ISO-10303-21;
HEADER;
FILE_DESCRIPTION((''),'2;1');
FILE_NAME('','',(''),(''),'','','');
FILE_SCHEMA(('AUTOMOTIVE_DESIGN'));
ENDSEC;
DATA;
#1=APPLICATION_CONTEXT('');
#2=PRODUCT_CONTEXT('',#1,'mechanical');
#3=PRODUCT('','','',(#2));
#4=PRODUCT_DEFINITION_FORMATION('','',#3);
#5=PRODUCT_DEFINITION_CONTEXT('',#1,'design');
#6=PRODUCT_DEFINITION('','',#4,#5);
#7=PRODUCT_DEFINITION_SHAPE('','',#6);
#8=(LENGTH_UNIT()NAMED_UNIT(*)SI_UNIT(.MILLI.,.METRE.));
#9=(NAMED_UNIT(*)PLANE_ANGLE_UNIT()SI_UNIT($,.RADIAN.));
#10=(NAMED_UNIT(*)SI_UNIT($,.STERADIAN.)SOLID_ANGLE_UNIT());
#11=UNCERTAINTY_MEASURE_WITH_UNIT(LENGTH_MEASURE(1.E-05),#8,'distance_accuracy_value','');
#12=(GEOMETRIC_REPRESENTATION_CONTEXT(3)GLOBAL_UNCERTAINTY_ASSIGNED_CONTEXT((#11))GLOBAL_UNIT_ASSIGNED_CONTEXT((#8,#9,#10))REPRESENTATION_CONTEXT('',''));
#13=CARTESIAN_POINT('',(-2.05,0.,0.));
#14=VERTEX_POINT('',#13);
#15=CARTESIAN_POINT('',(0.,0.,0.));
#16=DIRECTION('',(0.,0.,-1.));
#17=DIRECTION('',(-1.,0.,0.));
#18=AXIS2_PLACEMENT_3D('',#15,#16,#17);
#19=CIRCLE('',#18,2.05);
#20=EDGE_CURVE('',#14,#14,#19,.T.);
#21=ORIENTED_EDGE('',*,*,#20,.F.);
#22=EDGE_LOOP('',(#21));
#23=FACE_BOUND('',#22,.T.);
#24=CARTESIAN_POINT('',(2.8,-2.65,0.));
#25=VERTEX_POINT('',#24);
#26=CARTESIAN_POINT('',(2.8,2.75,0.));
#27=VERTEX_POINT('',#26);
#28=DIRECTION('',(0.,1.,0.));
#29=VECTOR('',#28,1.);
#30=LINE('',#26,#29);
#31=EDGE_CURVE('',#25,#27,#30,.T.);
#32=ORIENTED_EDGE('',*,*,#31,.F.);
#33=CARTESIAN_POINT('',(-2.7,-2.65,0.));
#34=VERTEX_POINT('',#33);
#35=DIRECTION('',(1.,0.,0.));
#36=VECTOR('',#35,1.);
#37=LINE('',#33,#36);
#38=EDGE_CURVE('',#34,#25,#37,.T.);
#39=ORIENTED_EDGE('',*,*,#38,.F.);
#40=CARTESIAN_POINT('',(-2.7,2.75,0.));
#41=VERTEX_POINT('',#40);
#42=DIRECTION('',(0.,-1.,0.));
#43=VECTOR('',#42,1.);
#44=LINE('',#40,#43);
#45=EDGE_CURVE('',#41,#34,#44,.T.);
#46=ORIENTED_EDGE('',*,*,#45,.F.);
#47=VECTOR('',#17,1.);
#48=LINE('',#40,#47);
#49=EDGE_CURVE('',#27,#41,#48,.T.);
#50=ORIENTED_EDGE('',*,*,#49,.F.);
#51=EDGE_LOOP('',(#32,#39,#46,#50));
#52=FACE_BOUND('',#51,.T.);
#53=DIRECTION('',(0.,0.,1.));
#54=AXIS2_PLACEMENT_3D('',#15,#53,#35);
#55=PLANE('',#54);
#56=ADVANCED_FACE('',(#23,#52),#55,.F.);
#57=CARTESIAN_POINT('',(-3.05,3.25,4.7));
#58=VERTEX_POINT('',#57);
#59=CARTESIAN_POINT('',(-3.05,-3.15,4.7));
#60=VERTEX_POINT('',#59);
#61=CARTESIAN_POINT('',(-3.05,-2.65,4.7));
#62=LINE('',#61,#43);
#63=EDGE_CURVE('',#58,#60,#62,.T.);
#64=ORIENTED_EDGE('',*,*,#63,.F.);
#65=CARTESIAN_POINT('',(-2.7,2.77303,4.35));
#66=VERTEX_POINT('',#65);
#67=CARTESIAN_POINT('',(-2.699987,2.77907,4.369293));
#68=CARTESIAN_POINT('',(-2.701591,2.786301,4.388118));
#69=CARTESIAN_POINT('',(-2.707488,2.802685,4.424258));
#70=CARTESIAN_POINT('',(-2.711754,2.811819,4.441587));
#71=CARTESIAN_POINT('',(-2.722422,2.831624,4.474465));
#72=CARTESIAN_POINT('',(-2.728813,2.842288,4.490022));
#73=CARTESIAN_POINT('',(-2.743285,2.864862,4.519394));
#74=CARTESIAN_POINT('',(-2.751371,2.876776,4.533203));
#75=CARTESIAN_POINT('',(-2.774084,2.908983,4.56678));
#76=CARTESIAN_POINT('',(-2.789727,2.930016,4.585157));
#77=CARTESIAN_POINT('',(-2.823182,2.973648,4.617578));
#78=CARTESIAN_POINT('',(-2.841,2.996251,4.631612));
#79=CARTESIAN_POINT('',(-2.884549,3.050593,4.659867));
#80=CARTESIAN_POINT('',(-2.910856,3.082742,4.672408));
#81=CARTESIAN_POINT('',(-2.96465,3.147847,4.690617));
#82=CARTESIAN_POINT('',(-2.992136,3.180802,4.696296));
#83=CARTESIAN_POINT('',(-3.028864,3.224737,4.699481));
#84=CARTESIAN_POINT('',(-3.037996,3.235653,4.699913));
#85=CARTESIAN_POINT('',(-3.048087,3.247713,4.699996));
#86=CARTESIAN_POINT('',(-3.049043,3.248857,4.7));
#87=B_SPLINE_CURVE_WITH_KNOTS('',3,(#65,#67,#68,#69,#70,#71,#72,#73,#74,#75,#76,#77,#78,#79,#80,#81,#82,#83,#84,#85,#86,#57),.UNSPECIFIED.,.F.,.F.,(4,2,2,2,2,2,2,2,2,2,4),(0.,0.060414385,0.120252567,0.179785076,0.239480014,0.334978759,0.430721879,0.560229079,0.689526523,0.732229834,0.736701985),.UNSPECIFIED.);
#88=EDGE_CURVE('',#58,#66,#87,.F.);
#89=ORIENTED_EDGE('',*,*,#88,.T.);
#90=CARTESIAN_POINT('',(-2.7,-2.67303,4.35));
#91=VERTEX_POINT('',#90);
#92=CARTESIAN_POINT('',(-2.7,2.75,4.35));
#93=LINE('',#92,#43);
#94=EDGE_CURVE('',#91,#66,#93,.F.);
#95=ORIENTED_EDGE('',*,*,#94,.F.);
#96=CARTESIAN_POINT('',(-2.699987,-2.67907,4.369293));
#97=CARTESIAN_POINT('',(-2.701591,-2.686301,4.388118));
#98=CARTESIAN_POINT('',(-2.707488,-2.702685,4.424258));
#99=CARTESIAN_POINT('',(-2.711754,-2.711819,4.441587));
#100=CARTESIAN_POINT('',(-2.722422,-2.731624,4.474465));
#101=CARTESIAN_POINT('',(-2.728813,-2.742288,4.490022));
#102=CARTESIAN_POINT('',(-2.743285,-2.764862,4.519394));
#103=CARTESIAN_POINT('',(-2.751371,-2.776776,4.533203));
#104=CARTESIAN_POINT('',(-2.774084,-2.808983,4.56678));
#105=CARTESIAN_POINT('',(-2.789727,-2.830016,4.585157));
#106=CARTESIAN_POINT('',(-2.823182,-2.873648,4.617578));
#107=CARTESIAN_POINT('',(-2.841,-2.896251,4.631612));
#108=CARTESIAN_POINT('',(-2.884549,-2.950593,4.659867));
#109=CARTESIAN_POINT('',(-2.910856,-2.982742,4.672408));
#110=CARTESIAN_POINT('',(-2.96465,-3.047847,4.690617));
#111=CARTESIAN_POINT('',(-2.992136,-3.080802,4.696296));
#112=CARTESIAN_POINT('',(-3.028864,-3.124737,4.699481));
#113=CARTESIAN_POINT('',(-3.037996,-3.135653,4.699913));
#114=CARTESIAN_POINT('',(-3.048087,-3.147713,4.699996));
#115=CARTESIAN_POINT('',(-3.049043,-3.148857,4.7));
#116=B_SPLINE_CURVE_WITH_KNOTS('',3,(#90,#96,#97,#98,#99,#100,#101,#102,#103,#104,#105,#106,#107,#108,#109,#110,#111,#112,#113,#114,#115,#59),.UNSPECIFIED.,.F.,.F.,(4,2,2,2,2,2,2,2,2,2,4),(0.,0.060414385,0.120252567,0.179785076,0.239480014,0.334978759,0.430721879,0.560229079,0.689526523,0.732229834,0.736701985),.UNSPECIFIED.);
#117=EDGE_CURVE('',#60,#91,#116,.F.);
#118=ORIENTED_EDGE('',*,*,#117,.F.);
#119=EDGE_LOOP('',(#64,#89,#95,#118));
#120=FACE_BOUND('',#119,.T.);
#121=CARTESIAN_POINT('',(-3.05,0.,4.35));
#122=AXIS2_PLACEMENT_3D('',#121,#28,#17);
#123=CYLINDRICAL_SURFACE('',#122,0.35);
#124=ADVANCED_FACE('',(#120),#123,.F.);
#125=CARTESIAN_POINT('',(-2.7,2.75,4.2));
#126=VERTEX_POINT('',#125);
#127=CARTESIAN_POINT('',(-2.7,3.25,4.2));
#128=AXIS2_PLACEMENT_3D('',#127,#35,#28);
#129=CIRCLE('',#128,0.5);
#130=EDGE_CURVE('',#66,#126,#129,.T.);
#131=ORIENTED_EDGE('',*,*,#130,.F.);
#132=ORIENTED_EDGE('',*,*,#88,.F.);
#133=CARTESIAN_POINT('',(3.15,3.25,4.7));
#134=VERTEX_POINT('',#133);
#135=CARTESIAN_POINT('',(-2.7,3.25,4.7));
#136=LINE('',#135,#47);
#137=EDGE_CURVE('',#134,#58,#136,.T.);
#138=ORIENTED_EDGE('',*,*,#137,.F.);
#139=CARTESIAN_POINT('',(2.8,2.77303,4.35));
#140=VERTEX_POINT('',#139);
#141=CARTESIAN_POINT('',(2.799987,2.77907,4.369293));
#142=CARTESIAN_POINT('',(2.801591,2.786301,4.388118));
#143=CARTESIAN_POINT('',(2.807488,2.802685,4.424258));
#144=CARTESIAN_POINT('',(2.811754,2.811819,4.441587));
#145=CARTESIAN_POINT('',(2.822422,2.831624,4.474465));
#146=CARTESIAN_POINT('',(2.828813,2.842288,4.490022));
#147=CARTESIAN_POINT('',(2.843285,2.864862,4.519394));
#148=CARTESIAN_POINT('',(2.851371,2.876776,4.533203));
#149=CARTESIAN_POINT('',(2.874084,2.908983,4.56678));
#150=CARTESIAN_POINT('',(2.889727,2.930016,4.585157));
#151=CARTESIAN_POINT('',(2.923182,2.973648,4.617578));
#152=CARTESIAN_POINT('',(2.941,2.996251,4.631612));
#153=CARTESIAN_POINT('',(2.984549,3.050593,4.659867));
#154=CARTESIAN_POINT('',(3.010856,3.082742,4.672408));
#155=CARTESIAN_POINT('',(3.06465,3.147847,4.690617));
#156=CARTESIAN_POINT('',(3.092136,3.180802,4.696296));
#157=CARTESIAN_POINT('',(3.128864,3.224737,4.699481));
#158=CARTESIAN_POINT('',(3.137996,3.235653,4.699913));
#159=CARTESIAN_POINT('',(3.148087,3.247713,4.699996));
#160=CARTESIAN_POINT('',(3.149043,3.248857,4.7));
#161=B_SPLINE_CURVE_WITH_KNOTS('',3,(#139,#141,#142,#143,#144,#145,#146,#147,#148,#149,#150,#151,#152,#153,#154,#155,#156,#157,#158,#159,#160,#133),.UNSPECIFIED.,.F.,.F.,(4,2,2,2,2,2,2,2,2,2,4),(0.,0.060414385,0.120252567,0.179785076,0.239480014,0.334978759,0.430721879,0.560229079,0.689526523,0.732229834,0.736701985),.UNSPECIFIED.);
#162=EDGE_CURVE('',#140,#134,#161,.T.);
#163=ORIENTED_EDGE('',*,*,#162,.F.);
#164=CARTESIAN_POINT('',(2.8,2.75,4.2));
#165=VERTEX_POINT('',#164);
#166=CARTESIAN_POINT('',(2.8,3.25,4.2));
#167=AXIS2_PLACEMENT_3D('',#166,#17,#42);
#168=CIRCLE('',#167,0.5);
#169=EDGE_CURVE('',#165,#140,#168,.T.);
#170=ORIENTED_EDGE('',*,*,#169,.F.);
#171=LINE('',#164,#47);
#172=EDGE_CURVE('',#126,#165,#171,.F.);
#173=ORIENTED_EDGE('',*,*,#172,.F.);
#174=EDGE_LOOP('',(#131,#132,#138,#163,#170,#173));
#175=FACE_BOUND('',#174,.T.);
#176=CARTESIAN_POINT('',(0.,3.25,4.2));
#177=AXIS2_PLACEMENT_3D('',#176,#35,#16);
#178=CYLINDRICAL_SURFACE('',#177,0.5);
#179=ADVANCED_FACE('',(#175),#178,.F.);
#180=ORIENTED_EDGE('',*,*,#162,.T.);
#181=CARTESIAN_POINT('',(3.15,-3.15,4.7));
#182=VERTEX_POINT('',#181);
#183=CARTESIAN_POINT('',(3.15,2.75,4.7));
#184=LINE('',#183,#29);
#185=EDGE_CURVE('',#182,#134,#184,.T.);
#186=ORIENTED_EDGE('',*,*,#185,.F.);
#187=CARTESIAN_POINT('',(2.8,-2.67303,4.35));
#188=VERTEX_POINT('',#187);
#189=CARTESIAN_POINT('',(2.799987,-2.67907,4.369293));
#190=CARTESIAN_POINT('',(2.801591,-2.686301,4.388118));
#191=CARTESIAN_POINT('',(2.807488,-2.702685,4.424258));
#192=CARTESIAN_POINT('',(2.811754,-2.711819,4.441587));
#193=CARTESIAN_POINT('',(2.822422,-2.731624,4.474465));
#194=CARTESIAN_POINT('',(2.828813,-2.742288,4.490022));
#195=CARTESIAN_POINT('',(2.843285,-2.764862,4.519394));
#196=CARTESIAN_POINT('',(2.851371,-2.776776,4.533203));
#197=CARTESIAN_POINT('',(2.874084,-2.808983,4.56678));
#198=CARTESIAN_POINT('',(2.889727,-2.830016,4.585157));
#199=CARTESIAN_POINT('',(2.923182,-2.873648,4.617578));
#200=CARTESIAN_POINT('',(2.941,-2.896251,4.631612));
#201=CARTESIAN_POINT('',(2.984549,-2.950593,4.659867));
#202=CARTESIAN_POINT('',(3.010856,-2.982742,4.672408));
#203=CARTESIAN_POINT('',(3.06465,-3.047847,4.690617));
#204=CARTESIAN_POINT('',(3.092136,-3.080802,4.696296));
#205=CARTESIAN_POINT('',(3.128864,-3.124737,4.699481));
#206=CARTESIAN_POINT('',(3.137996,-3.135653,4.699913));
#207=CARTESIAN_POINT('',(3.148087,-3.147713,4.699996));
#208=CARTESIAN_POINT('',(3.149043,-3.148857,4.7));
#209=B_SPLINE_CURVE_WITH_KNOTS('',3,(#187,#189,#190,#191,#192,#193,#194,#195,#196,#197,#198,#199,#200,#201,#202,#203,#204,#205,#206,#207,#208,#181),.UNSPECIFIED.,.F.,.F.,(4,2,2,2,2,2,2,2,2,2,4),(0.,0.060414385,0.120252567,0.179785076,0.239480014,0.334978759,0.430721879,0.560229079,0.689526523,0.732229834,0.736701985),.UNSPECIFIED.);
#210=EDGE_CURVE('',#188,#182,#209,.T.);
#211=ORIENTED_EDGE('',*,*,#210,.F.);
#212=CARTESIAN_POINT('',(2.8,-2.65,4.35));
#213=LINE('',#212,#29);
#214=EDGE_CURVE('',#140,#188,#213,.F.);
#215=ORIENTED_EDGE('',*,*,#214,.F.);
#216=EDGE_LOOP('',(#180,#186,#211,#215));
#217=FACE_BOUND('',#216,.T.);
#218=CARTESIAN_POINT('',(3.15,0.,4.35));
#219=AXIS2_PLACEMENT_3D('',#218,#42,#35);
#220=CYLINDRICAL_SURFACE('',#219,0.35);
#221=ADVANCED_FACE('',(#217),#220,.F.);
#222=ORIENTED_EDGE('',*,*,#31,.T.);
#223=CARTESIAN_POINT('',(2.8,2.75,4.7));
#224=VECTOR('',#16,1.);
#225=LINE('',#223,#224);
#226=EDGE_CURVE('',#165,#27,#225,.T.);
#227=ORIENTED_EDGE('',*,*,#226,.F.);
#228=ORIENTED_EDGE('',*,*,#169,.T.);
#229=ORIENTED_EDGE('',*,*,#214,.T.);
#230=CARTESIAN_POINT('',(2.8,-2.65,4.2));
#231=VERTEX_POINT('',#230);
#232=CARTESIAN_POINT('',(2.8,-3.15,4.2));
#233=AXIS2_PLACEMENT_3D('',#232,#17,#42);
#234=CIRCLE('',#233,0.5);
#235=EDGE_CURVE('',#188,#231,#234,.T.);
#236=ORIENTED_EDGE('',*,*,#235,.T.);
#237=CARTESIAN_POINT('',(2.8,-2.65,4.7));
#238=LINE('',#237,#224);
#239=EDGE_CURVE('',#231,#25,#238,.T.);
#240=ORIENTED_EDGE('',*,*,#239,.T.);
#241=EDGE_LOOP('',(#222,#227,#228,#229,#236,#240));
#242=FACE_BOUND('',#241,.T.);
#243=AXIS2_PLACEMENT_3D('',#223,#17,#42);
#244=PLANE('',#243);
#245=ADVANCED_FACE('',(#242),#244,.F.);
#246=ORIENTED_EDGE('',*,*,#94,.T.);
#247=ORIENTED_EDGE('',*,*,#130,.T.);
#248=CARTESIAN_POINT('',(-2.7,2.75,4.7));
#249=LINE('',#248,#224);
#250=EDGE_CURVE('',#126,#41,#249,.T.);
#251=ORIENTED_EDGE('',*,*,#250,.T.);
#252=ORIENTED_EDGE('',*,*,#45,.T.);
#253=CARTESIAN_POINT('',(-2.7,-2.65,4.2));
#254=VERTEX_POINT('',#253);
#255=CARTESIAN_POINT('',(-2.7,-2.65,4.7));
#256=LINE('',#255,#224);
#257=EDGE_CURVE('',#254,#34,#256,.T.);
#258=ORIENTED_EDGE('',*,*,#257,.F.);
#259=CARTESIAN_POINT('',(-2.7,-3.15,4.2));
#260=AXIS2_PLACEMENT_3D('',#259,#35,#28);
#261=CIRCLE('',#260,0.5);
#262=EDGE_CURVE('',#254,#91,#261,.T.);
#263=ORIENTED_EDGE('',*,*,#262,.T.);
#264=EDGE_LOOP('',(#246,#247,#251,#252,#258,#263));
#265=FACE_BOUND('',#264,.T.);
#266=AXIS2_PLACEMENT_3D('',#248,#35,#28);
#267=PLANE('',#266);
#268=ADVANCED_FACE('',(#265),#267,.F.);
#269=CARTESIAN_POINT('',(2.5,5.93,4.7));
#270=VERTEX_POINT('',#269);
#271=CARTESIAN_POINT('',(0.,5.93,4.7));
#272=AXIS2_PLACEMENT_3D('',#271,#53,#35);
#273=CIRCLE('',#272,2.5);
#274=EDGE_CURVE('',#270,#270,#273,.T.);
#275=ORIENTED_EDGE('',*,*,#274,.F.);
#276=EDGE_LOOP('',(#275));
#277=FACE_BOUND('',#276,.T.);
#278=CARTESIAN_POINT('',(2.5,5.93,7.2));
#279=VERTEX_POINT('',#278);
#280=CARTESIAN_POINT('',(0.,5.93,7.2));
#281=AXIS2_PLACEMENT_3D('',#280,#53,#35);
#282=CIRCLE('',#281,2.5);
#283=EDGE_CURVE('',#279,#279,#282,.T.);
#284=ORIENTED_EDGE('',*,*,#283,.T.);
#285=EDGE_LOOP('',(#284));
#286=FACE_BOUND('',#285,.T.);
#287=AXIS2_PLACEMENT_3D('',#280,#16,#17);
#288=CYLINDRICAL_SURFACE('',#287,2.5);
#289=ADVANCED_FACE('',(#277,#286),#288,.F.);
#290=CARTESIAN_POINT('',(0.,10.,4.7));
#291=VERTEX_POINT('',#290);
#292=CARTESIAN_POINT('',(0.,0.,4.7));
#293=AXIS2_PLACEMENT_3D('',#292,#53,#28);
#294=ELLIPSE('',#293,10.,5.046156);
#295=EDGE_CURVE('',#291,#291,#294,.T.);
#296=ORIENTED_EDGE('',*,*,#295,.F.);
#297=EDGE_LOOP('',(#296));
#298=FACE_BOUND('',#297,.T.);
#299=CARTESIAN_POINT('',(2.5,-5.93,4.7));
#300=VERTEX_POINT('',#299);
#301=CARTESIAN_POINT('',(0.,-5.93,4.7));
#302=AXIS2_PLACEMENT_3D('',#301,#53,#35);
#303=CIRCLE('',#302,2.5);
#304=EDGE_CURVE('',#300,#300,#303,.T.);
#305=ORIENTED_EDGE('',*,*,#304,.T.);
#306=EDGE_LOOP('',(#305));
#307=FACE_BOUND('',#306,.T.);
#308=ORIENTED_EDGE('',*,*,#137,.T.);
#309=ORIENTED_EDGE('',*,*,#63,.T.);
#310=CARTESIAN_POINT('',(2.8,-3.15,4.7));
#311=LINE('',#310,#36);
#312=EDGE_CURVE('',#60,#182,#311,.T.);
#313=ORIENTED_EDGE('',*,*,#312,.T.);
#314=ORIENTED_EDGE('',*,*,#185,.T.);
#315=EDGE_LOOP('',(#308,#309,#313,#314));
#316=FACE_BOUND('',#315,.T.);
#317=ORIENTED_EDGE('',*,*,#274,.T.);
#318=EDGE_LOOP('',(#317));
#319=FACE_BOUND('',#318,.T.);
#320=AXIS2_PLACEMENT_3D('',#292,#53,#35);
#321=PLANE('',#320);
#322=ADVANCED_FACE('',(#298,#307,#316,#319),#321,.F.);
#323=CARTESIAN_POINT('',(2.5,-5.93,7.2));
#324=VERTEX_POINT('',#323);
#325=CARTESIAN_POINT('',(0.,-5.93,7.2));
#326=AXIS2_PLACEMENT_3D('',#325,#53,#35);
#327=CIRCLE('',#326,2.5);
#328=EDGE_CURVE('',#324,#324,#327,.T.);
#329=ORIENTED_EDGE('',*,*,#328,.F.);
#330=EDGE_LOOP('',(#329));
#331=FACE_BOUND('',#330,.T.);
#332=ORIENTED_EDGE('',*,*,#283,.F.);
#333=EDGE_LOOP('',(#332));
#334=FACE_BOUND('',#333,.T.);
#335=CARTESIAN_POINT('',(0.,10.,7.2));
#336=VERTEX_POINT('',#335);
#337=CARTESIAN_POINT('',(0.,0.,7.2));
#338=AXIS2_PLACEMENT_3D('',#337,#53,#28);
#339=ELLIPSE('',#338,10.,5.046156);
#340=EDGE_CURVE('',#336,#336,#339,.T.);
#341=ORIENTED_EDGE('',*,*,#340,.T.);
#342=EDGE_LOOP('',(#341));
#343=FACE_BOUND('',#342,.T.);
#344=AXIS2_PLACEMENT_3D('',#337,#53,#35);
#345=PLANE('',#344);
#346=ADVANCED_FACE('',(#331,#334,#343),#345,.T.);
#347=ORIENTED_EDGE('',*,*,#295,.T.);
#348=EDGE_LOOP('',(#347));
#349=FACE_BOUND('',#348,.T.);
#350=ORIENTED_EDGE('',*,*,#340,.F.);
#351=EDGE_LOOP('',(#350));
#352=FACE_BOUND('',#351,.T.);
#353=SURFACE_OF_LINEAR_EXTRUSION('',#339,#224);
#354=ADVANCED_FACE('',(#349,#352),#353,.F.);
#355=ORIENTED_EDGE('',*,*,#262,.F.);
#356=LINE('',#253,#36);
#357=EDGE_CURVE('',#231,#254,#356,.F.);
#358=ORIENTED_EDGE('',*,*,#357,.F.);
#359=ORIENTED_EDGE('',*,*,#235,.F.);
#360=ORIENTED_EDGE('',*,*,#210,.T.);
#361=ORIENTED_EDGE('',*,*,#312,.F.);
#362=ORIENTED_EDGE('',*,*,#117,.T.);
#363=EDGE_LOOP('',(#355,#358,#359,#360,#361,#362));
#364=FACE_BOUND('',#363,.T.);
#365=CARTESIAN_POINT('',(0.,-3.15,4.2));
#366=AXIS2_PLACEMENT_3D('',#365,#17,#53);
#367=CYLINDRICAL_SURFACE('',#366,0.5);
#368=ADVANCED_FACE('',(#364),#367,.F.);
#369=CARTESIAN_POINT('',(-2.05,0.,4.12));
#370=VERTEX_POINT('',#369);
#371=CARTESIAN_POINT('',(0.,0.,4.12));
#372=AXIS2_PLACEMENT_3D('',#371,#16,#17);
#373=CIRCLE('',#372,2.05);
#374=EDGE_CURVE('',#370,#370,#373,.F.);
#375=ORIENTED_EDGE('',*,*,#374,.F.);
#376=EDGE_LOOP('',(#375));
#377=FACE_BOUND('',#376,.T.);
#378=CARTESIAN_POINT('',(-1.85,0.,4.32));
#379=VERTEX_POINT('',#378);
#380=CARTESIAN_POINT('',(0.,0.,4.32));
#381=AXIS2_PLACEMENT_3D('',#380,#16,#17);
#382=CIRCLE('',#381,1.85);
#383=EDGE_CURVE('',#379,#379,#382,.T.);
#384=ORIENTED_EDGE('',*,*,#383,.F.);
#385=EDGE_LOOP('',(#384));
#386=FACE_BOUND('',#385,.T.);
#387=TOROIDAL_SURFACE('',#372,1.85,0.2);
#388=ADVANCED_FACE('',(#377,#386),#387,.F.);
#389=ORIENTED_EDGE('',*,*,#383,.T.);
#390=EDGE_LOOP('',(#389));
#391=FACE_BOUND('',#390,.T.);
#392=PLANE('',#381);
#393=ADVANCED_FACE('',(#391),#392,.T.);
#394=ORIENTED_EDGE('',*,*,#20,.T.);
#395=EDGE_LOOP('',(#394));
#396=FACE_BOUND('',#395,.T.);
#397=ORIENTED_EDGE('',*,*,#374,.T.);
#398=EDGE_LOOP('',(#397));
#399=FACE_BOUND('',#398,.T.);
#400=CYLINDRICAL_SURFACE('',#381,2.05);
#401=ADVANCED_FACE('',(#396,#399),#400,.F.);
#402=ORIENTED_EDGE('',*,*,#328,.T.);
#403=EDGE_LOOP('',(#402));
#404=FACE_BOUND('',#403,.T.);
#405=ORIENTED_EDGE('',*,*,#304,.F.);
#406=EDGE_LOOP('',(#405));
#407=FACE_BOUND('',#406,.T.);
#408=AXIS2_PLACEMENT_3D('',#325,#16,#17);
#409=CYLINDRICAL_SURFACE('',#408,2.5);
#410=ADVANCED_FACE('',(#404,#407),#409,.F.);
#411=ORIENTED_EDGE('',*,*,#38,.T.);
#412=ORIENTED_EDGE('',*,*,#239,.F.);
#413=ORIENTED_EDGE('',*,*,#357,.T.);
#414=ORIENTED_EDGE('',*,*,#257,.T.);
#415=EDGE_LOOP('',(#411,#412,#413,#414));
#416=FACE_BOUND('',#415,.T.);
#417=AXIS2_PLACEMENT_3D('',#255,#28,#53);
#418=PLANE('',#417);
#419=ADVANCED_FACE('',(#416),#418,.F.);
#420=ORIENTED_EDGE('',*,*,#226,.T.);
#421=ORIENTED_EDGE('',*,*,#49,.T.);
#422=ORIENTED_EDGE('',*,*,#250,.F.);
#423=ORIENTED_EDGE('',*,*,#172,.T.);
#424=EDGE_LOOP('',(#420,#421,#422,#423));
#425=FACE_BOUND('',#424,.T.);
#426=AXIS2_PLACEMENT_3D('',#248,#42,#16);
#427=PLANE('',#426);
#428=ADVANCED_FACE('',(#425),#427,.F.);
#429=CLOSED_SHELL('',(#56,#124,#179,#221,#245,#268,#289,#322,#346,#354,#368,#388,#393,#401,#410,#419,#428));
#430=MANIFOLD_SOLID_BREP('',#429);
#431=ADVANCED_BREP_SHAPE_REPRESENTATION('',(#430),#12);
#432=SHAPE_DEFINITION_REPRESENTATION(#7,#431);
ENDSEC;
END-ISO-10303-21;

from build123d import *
from OCP.BRepFilletAPI import BRepFilletAPI_MakeFillet

# Parameters (mm, degrees)
ESQUISSE4_W             = 5.5
ESQUISSE4_H             = 5.4
BOSS_EXTRU_2_DEPTH      = 4.7
ESQUISSE5_RX            = 10
ESQUISSE5_RY            = 5.046155586
ESQUISSE5_R             = 2.5
BOSS_EXTRU_4_DEPTH      = 2.5
ESQUISSE6_R             = 2.05
ENL_V_MAT_EXTRU_1_DEPTH = 4.32
CONG_1_R1               = 0.2
CONG_1_R2               = 0.35
CONG_1_R3               = 0.5


with BuildPart() as part:
    # Esquisse4 → Boss.-Extru.2 (new body)
    with BuildSketch(Plane.XY):
        with Locations((0.05, 0.05)):
            Rectangle(ESQUISSE4_W, ESQUISSE4_H)
    extrude(amount=BOSS_EXTRU_2_DEPTH)

    # Esquisse5 → Boss.-Extru.4 (add)
    with BuildSketch(Plane.XY.offset(4.7)):
        with Locations(Location((0, 0), (0, 0, 90))):
            Ellipse(ESQUISSE5_RX, ESQUISSE5_RY)
        with Locations((0, 5.93)):
            Circle(ESQUISSE5_R, mode=Mode.SUBTRACT)
        with Locations((0, -5.93)):
            Circle(ESQUISSE5_R, mode=Mode.SUBTRACT)
    extrude(amount=BOSS_EXTRU_4_DEPTH)

    # Esquisse6 → Enlèv. mat.-Extru.1 (cut)
    with BuildSketch(Plane(origin=(0, 0, 0), x_dir=(-1, 0, 0), z_dir=(0, 0, -1))):
        Circle(ESQUISSE6_R)
    extrude(amount=-ENL_V_MAT_EXTRU_1_DEPTH, mode=Mode.SUBTRACT)

    # Congé1: one fillet with a radius per group of edges: ONE call of the kernel's fillet builder (fillet() takes one radius for all edges)
    cong_1_edges_1 = [part.edges().sort_by_distance(p)[0] for p in [
        (2.05, 0, 4.32),
    ]]
    cong_1_edges_2 = [part.edges().sort_by_distance(p)[0] for p in [
        (2.8, 0.05, 4.7),
        (-2.7, 0.05, 4.7),
    ]]
    cong_1_edges_3 = [part.edges().sort_by_distance(p)[0] for p in [
        (0.05, 2.75, 4.7),
        (0.05, -2.65, 4.7),
    ]]
    cong_1 = BRepFilletAPI_MakeFillet(part.part.solid().wrapped)
    for e in cong_1_edges_1:
        cong_1.Add(CONG_1_R1, e.wrapped)
    for e in cong_1_edges_2:
        cong_1.Add(CONG_1_R2, e.wrapped)
    for e in cong_1_edges_3:
        cong_1.Add(CONG_1_R3, e.wrapped)
    add(Compound.cast(cong_1.Shape()), mode=Mode.REPLACE)


solid = part.part
